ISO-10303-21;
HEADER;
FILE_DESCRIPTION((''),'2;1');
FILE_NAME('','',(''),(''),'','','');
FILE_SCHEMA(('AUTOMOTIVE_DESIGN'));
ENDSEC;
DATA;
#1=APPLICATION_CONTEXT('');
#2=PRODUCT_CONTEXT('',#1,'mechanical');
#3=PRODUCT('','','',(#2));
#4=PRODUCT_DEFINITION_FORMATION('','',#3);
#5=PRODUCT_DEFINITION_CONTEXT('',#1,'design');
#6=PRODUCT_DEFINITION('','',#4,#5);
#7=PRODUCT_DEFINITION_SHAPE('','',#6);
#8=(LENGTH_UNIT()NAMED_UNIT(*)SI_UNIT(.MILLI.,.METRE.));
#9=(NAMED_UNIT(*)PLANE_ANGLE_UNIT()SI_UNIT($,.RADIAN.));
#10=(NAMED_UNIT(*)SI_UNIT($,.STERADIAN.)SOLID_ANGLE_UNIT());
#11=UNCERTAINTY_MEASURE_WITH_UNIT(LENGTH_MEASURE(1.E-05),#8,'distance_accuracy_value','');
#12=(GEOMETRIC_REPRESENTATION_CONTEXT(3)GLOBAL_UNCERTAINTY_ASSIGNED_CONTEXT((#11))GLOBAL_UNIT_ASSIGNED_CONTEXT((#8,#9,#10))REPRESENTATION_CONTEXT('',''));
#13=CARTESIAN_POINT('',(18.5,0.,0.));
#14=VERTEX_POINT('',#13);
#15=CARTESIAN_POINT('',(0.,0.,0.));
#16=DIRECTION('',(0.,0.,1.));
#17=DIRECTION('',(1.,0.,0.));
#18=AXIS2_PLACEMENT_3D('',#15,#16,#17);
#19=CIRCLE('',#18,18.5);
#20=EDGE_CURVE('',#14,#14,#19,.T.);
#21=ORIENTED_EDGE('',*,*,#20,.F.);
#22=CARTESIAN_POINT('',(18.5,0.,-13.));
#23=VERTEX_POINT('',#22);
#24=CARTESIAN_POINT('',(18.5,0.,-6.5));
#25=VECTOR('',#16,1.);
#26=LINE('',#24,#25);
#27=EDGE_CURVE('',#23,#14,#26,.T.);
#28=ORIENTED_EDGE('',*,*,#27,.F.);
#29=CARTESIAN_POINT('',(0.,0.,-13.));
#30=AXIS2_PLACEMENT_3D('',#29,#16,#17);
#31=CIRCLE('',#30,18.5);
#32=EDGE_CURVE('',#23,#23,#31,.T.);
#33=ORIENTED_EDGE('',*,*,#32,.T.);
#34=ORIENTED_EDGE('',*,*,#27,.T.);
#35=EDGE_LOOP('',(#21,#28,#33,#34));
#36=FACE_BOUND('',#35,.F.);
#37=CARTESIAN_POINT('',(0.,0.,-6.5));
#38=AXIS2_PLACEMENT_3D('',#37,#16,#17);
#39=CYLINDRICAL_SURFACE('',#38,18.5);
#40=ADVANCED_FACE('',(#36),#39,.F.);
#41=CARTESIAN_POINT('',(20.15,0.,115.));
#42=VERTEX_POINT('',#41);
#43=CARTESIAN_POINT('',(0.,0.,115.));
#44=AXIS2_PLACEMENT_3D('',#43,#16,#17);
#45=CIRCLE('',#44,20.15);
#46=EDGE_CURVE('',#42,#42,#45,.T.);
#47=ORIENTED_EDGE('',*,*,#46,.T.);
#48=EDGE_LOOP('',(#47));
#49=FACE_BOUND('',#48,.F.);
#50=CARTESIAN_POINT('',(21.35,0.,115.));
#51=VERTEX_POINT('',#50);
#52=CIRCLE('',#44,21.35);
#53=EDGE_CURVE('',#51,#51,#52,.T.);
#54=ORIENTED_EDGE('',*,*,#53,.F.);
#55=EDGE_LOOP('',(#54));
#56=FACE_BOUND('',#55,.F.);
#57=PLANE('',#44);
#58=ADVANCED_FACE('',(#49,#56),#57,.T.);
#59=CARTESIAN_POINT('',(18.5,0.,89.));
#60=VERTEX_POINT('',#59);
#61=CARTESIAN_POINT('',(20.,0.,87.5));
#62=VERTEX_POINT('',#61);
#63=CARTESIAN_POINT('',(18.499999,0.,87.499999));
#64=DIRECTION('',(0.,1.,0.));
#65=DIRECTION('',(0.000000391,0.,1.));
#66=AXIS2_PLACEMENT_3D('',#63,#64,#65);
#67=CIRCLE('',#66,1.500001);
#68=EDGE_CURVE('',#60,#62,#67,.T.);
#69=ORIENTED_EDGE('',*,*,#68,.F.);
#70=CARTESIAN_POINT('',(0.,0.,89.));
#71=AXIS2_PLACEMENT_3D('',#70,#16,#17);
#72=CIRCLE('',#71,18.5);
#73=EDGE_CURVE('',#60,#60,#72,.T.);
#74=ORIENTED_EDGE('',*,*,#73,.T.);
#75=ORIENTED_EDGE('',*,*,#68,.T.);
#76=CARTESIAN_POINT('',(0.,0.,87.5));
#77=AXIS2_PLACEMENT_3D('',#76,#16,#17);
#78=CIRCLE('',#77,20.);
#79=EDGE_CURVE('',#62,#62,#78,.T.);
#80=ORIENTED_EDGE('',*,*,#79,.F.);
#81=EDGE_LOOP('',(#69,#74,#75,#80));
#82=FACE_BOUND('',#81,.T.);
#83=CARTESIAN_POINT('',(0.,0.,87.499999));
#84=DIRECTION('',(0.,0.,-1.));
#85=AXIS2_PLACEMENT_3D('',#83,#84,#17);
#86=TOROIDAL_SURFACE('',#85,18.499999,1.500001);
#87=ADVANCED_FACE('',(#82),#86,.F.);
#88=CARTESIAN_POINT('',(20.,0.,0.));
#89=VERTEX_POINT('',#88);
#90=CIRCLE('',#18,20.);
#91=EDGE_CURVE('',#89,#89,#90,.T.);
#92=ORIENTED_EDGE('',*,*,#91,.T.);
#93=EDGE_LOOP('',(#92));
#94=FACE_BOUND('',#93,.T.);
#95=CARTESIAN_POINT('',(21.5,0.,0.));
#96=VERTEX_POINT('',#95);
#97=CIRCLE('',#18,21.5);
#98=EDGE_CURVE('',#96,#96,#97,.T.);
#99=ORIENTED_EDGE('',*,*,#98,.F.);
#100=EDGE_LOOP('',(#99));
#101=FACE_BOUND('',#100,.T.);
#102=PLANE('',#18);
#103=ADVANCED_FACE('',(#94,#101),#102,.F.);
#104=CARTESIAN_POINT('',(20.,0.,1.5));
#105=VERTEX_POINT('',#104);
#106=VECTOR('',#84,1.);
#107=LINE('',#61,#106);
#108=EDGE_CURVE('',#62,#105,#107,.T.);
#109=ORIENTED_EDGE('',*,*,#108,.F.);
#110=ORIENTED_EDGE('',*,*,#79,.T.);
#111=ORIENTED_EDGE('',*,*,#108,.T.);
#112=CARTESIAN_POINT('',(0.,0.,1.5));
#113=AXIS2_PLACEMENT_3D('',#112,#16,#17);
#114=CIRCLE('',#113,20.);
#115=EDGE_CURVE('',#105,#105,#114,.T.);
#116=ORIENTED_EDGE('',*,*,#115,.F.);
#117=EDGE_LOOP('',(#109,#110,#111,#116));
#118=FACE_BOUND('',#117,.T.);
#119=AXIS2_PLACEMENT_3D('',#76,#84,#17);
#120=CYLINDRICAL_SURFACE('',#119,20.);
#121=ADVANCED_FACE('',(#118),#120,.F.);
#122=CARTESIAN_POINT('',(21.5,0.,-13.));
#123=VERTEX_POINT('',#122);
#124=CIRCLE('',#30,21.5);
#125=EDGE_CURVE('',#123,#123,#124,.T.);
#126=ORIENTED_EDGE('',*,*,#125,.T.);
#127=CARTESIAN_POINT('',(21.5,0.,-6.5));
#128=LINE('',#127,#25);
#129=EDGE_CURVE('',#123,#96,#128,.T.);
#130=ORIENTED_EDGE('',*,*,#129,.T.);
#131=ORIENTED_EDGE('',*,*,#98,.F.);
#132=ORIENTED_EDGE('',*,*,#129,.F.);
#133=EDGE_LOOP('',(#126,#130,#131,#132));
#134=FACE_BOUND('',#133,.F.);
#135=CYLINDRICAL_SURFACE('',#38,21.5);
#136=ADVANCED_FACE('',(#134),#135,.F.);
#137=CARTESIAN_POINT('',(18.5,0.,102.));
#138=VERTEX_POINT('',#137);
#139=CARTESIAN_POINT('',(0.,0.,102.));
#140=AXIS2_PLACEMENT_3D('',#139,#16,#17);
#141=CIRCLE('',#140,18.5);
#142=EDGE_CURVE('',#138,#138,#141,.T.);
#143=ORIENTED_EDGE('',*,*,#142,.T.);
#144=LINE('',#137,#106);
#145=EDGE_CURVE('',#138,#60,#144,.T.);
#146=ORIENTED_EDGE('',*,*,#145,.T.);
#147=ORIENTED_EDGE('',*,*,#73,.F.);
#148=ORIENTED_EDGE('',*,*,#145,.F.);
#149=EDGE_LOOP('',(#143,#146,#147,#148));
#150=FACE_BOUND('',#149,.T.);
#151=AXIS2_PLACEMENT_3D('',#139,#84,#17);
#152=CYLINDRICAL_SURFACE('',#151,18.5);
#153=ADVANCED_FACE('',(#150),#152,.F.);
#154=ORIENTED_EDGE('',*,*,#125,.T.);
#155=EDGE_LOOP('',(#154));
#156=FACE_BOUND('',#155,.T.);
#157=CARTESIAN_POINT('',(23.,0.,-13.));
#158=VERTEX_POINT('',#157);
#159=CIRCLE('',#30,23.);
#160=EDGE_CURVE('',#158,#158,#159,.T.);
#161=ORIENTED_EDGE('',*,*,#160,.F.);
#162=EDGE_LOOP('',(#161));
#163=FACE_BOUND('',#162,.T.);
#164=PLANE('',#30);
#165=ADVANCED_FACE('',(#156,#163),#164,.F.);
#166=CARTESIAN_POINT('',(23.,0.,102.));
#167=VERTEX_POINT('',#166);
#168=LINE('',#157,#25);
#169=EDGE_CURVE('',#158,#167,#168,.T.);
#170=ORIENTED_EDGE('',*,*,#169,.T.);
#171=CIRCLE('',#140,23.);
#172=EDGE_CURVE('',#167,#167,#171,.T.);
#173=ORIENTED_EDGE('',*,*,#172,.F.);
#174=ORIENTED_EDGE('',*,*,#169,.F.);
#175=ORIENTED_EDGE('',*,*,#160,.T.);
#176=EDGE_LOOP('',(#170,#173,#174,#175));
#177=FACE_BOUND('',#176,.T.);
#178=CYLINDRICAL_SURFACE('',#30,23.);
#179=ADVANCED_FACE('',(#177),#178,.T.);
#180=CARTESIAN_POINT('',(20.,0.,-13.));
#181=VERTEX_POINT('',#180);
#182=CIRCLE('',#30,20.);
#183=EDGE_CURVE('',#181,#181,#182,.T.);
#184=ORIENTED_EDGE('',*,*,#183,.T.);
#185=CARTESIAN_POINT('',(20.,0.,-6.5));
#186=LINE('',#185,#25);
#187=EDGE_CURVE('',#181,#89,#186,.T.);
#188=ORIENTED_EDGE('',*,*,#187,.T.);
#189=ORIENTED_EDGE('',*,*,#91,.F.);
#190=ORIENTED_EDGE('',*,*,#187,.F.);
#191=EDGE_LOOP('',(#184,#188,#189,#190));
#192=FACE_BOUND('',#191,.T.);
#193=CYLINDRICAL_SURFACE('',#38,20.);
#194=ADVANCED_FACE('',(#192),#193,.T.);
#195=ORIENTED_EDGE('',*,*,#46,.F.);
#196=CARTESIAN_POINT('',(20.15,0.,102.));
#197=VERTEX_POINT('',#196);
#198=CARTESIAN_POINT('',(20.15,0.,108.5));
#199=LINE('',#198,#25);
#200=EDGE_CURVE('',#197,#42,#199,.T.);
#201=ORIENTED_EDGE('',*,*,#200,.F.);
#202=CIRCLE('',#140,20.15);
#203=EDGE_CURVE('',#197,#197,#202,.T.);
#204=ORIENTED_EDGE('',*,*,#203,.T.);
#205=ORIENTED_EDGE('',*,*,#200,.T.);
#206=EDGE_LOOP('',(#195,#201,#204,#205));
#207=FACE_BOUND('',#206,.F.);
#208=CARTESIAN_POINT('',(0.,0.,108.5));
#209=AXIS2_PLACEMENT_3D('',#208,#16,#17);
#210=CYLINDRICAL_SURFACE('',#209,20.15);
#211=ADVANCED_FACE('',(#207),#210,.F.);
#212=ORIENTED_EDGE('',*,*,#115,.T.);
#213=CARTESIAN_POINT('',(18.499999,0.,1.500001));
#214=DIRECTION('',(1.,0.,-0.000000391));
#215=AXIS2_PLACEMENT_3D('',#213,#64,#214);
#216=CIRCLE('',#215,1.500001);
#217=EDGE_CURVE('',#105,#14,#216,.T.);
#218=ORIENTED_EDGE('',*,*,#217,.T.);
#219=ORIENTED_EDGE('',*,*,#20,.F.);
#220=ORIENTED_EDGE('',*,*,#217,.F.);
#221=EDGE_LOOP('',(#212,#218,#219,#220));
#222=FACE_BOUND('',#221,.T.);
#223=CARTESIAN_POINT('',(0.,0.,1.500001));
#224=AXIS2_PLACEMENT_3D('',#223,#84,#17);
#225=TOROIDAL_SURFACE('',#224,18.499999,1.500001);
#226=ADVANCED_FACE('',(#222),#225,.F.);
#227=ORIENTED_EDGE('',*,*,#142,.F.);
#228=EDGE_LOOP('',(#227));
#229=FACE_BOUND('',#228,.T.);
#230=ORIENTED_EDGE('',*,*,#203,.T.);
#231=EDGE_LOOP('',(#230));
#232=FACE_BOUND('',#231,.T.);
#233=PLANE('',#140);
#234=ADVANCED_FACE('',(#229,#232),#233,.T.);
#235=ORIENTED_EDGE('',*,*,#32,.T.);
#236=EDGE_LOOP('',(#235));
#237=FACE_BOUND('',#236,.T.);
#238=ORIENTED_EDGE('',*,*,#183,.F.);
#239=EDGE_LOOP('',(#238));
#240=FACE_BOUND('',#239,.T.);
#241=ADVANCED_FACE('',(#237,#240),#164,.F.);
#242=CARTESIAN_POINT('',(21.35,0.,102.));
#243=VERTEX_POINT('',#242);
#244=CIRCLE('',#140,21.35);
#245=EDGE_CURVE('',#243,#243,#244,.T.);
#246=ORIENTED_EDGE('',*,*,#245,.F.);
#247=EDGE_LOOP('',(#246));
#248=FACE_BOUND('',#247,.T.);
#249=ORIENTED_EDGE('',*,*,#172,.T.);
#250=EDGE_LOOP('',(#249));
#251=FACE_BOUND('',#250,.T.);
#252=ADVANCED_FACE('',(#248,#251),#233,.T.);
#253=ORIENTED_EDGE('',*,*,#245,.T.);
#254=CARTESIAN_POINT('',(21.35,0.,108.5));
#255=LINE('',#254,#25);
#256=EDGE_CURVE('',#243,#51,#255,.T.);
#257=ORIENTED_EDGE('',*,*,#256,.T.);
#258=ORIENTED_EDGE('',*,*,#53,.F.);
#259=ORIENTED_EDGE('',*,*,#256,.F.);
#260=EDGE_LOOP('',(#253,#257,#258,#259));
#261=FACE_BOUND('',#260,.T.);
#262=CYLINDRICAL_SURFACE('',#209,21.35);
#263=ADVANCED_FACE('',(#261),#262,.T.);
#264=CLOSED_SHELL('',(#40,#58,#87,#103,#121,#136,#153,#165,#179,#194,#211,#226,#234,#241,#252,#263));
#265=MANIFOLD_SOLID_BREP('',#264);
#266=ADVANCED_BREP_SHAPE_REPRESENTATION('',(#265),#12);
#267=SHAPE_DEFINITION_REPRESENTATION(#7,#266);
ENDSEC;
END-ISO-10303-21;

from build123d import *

# Parameters (mm, degrees)
F0_W   = 1.5
F0_H   = 13
F0_W_2 = 1.2


with BuildPart() as f1:
    # F0 (on Front) → F1 (revolve)
    with BuildSketch(Plane.XZ):
        with BuildLine():
            Line((20, 87.5), (20, 44.5))
            Line((20, 44.5), (23, 44.5))
            Line((23, 44.5), (23, 102))
            Line((23, 102), (21.35, 102))
            Line((21.35, 102), (20.15, 102))
            Line((20.15, 102), (18.5, 102))
            Line((18.5, 102), (18.5, 89))
            ThreePointArc((18.5, 89), (19.56066, 88.56066), (20, 87.5))
        make_face()
        Polygon((20, 1.5), (20, 0), (21.5, 0), (23, 0), (23, 44.5), (20, 44.5), align=None)
        with Locations((22.25, -6.5)):
            Rectangle(F0_W, F0_H)
        with Locations((19.25, -6.5)):
            Rectangle(F0_W, F0_H)
        with BuildLine():
            ThreePointArc((20, 1.5), (19.56066, 0.43934), (18.5, 0))
            Line((18.5, 0), (20, 0))
            Line((20, 0), (20, 1.5))
        make_face()
        with Locations((20.75, 108.5)):
            Rectangle(F0_W_2, F0_H)
    revolve(axis=Axis((0, 0, 51), (0, 0, 1)))


solid = f1.part
